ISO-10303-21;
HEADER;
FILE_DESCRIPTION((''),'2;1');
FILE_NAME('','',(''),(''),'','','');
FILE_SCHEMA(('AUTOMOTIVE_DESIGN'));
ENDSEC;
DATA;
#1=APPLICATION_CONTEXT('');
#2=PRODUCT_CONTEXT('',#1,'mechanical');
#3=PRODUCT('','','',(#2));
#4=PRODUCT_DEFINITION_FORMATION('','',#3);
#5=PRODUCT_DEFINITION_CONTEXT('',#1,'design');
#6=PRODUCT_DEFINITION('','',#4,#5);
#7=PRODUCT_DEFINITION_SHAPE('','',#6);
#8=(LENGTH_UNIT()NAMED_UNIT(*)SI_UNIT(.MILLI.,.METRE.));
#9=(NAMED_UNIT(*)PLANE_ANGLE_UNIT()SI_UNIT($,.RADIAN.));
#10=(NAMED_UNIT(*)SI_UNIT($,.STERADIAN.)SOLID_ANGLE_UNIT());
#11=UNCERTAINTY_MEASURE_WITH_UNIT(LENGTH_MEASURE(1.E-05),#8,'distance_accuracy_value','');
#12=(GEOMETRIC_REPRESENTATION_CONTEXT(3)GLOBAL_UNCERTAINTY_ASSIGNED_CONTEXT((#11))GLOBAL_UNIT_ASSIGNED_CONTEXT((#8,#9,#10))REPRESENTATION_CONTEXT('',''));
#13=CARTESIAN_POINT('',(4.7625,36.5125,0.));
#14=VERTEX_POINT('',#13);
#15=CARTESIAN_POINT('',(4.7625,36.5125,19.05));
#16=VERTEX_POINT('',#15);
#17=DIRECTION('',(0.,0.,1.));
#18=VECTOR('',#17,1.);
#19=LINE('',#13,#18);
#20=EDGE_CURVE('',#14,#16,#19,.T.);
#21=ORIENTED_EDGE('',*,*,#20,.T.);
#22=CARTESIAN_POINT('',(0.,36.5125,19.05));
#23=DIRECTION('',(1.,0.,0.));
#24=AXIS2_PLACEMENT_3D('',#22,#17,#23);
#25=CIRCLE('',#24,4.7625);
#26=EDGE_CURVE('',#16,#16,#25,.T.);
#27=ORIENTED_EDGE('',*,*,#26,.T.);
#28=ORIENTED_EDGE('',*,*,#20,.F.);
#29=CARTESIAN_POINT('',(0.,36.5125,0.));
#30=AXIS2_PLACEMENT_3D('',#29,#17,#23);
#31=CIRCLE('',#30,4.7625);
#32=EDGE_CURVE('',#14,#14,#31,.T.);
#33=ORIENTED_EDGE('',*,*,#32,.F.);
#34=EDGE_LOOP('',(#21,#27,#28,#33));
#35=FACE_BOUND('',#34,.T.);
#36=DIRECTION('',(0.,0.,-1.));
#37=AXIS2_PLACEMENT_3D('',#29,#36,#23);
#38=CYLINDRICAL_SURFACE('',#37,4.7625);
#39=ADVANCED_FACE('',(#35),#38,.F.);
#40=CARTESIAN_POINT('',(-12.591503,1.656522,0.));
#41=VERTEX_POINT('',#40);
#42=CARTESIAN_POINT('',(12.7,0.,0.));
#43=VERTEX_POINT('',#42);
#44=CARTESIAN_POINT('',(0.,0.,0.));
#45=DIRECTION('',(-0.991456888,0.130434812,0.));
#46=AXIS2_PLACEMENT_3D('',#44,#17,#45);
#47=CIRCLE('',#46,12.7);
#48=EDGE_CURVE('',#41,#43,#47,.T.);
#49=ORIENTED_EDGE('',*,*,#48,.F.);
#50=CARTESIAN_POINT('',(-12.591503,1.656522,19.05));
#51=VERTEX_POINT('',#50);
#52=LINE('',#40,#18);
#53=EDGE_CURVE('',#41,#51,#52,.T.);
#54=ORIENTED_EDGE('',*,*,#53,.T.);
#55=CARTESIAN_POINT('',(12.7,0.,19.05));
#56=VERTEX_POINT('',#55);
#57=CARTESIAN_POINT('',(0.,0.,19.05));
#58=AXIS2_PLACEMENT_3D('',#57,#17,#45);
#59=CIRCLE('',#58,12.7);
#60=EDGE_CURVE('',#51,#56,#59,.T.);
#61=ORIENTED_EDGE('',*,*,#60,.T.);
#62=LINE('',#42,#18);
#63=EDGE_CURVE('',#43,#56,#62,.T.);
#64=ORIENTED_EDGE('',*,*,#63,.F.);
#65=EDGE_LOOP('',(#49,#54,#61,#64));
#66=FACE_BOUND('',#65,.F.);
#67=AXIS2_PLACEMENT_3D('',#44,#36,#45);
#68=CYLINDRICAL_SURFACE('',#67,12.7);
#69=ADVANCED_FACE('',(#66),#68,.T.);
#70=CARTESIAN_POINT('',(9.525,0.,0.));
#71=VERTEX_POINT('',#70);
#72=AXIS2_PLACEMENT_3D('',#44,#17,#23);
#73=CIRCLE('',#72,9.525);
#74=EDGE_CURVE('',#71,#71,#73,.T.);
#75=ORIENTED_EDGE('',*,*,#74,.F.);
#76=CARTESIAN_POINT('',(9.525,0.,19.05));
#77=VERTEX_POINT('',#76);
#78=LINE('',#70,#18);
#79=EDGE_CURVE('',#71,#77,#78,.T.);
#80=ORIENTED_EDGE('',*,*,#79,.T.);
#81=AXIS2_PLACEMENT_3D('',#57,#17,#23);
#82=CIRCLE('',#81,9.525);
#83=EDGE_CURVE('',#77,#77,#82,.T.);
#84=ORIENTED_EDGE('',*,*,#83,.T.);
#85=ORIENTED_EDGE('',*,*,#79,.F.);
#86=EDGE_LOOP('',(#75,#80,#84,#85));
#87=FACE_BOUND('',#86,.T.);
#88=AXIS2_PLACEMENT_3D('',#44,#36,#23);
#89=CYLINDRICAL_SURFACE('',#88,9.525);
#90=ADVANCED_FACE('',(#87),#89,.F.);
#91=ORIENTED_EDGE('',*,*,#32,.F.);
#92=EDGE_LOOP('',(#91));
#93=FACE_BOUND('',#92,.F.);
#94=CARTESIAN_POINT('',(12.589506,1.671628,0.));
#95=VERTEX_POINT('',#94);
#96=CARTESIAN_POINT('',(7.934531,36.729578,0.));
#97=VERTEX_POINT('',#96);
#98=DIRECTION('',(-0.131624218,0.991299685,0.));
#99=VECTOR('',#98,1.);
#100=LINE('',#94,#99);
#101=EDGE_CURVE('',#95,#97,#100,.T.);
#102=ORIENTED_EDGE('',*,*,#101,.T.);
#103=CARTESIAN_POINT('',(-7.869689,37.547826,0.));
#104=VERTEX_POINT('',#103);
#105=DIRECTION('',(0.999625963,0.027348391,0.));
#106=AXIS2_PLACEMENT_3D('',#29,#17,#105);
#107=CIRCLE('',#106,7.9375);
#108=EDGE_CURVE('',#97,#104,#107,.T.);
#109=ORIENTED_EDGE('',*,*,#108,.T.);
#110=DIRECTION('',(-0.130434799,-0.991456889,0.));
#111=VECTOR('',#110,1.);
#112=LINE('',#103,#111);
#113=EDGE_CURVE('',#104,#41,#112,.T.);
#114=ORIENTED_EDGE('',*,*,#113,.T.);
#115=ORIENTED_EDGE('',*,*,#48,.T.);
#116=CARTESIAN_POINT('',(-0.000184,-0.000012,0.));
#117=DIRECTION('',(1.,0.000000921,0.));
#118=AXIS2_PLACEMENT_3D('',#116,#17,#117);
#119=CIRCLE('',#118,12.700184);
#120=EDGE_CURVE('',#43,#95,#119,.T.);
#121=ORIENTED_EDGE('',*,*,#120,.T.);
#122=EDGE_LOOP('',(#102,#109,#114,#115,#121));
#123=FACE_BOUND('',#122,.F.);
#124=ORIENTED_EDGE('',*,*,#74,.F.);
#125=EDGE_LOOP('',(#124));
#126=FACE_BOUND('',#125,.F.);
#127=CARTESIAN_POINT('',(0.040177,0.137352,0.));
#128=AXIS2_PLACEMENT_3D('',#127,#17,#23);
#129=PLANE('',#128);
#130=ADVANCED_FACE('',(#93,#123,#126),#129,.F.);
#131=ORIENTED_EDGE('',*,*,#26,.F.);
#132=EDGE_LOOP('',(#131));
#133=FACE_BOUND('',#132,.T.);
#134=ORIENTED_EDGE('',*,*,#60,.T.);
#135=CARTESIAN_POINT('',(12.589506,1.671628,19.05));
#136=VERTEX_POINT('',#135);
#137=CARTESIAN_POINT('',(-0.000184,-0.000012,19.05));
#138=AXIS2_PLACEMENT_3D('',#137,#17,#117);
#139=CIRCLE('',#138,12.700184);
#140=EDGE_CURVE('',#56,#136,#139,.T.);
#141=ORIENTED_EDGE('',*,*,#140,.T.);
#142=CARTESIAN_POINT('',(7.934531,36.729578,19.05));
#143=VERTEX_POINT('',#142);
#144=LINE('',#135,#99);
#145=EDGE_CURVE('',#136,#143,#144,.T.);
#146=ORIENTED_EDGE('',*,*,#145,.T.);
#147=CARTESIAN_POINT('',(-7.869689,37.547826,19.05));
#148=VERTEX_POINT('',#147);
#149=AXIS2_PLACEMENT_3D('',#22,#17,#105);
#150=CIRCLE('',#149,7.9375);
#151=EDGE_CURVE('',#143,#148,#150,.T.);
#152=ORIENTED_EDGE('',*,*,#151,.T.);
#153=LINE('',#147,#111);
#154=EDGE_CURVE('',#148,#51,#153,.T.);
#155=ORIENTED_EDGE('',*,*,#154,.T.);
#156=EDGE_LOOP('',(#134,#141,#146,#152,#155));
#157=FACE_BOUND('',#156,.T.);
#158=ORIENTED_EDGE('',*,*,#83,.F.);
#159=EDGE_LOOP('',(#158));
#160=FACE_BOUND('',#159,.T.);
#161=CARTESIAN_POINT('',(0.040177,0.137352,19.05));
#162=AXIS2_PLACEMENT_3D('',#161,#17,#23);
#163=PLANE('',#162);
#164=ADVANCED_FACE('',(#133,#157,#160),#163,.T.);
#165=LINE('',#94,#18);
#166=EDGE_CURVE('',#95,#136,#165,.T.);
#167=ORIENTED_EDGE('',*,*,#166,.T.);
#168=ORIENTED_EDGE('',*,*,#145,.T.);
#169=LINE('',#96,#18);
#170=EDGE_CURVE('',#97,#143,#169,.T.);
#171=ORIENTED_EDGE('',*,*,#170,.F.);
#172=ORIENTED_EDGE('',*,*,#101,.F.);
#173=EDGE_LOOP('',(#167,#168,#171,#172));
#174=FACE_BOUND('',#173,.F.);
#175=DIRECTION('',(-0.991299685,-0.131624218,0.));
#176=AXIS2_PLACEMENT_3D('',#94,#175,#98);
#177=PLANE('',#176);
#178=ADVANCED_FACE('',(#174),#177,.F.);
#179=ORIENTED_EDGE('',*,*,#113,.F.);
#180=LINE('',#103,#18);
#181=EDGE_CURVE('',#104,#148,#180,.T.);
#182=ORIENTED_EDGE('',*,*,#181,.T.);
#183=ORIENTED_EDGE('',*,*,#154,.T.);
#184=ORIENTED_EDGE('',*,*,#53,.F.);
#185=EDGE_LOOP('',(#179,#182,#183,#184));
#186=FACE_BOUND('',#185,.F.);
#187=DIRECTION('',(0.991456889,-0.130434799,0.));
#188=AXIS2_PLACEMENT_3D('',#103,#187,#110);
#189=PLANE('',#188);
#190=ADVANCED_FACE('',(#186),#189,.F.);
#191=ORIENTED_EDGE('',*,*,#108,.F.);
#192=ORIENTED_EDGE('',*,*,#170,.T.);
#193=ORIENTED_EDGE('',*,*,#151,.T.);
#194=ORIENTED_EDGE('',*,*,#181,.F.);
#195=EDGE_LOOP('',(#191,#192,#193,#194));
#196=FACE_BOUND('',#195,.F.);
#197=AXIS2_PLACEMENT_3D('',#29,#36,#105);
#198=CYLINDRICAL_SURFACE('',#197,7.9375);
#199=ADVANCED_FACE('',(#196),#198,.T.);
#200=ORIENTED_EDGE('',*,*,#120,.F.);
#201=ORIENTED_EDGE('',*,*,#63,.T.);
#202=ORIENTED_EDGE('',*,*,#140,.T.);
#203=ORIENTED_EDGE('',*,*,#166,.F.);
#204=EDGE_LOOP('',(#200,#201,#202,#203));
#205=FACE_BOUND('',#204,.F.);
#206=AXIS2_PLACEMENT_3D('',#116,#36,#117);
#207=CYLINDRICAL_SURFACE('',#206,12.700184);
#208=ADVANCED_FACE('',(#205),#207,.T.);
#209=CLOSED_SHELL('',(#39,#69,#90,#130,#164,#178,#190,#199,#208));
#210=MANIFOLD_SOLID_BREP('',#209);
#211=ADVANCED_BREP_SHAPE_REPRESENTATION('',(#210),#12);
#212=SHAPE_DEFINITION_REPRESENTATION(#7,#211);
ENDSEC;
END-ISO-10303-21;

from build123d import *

# Parameters (mm, degrees)
F0_R     = 9.525
F0_R_2   = 4.7625
F1_DEPTH = 19.05


with BuildPart() as f1:
    # F0 (on Top) → F1 (new body)
    with BuildSketch(Plane.XY):
        with BuildLine():
            ThreePointArc((-12.591503, 1.656522), (-0.830036, -12.672847), (12.7, 0))
            ThreePointArc((12.7, 0), (12.672346, 0.837638), (12.589506, 1.671628))
            ThreePointArc((12.589506, 1.671628), (-0.007619, 12.699998), (-12.591503, 1.656522))
        make_face()
        Circle(F0_R, mode=Mode.SUBTRACT)
        with BuildLine():
            ThreePointArc((-12.591503, 1.656522), (-0.007619, 12.699998), (12.589506, 1.671628))
            Line((12.589506, 1.671628), (7.934531, 36.729578))
            ThreePointArc((7.934531, 36.729578), (7.936758, 36.621049), (7.9375, 36.5125))
            ThreePointArc((7.9375, 36.5125), (-0.518772, 28.591971), (-7.869689, 37.547826))
            Line((-7.869689, 37.547826), (-12.591503, 1.656522))
        make_face()
        with BuildLine():
            ThreePointArc((7.9375, 36.5125), (7.936758, 36.621049), (7.934531, 36.729578))
            ThreePointArc((7.934531, 36.729578), (0.410406, 44.439383), (-7.869689, 37.547826))
            ThreePointArc((-7.869689, 37.547826), (-0.518772, 28.591971), (7.9375, 36.5125))
        make_face()
        with Locations((0, 36.5125)):
            Circle(F0_R_2, mode=Mode.SUBTRACT)
    extrude(amount=F1_DEPTH)


solid = f1.part
